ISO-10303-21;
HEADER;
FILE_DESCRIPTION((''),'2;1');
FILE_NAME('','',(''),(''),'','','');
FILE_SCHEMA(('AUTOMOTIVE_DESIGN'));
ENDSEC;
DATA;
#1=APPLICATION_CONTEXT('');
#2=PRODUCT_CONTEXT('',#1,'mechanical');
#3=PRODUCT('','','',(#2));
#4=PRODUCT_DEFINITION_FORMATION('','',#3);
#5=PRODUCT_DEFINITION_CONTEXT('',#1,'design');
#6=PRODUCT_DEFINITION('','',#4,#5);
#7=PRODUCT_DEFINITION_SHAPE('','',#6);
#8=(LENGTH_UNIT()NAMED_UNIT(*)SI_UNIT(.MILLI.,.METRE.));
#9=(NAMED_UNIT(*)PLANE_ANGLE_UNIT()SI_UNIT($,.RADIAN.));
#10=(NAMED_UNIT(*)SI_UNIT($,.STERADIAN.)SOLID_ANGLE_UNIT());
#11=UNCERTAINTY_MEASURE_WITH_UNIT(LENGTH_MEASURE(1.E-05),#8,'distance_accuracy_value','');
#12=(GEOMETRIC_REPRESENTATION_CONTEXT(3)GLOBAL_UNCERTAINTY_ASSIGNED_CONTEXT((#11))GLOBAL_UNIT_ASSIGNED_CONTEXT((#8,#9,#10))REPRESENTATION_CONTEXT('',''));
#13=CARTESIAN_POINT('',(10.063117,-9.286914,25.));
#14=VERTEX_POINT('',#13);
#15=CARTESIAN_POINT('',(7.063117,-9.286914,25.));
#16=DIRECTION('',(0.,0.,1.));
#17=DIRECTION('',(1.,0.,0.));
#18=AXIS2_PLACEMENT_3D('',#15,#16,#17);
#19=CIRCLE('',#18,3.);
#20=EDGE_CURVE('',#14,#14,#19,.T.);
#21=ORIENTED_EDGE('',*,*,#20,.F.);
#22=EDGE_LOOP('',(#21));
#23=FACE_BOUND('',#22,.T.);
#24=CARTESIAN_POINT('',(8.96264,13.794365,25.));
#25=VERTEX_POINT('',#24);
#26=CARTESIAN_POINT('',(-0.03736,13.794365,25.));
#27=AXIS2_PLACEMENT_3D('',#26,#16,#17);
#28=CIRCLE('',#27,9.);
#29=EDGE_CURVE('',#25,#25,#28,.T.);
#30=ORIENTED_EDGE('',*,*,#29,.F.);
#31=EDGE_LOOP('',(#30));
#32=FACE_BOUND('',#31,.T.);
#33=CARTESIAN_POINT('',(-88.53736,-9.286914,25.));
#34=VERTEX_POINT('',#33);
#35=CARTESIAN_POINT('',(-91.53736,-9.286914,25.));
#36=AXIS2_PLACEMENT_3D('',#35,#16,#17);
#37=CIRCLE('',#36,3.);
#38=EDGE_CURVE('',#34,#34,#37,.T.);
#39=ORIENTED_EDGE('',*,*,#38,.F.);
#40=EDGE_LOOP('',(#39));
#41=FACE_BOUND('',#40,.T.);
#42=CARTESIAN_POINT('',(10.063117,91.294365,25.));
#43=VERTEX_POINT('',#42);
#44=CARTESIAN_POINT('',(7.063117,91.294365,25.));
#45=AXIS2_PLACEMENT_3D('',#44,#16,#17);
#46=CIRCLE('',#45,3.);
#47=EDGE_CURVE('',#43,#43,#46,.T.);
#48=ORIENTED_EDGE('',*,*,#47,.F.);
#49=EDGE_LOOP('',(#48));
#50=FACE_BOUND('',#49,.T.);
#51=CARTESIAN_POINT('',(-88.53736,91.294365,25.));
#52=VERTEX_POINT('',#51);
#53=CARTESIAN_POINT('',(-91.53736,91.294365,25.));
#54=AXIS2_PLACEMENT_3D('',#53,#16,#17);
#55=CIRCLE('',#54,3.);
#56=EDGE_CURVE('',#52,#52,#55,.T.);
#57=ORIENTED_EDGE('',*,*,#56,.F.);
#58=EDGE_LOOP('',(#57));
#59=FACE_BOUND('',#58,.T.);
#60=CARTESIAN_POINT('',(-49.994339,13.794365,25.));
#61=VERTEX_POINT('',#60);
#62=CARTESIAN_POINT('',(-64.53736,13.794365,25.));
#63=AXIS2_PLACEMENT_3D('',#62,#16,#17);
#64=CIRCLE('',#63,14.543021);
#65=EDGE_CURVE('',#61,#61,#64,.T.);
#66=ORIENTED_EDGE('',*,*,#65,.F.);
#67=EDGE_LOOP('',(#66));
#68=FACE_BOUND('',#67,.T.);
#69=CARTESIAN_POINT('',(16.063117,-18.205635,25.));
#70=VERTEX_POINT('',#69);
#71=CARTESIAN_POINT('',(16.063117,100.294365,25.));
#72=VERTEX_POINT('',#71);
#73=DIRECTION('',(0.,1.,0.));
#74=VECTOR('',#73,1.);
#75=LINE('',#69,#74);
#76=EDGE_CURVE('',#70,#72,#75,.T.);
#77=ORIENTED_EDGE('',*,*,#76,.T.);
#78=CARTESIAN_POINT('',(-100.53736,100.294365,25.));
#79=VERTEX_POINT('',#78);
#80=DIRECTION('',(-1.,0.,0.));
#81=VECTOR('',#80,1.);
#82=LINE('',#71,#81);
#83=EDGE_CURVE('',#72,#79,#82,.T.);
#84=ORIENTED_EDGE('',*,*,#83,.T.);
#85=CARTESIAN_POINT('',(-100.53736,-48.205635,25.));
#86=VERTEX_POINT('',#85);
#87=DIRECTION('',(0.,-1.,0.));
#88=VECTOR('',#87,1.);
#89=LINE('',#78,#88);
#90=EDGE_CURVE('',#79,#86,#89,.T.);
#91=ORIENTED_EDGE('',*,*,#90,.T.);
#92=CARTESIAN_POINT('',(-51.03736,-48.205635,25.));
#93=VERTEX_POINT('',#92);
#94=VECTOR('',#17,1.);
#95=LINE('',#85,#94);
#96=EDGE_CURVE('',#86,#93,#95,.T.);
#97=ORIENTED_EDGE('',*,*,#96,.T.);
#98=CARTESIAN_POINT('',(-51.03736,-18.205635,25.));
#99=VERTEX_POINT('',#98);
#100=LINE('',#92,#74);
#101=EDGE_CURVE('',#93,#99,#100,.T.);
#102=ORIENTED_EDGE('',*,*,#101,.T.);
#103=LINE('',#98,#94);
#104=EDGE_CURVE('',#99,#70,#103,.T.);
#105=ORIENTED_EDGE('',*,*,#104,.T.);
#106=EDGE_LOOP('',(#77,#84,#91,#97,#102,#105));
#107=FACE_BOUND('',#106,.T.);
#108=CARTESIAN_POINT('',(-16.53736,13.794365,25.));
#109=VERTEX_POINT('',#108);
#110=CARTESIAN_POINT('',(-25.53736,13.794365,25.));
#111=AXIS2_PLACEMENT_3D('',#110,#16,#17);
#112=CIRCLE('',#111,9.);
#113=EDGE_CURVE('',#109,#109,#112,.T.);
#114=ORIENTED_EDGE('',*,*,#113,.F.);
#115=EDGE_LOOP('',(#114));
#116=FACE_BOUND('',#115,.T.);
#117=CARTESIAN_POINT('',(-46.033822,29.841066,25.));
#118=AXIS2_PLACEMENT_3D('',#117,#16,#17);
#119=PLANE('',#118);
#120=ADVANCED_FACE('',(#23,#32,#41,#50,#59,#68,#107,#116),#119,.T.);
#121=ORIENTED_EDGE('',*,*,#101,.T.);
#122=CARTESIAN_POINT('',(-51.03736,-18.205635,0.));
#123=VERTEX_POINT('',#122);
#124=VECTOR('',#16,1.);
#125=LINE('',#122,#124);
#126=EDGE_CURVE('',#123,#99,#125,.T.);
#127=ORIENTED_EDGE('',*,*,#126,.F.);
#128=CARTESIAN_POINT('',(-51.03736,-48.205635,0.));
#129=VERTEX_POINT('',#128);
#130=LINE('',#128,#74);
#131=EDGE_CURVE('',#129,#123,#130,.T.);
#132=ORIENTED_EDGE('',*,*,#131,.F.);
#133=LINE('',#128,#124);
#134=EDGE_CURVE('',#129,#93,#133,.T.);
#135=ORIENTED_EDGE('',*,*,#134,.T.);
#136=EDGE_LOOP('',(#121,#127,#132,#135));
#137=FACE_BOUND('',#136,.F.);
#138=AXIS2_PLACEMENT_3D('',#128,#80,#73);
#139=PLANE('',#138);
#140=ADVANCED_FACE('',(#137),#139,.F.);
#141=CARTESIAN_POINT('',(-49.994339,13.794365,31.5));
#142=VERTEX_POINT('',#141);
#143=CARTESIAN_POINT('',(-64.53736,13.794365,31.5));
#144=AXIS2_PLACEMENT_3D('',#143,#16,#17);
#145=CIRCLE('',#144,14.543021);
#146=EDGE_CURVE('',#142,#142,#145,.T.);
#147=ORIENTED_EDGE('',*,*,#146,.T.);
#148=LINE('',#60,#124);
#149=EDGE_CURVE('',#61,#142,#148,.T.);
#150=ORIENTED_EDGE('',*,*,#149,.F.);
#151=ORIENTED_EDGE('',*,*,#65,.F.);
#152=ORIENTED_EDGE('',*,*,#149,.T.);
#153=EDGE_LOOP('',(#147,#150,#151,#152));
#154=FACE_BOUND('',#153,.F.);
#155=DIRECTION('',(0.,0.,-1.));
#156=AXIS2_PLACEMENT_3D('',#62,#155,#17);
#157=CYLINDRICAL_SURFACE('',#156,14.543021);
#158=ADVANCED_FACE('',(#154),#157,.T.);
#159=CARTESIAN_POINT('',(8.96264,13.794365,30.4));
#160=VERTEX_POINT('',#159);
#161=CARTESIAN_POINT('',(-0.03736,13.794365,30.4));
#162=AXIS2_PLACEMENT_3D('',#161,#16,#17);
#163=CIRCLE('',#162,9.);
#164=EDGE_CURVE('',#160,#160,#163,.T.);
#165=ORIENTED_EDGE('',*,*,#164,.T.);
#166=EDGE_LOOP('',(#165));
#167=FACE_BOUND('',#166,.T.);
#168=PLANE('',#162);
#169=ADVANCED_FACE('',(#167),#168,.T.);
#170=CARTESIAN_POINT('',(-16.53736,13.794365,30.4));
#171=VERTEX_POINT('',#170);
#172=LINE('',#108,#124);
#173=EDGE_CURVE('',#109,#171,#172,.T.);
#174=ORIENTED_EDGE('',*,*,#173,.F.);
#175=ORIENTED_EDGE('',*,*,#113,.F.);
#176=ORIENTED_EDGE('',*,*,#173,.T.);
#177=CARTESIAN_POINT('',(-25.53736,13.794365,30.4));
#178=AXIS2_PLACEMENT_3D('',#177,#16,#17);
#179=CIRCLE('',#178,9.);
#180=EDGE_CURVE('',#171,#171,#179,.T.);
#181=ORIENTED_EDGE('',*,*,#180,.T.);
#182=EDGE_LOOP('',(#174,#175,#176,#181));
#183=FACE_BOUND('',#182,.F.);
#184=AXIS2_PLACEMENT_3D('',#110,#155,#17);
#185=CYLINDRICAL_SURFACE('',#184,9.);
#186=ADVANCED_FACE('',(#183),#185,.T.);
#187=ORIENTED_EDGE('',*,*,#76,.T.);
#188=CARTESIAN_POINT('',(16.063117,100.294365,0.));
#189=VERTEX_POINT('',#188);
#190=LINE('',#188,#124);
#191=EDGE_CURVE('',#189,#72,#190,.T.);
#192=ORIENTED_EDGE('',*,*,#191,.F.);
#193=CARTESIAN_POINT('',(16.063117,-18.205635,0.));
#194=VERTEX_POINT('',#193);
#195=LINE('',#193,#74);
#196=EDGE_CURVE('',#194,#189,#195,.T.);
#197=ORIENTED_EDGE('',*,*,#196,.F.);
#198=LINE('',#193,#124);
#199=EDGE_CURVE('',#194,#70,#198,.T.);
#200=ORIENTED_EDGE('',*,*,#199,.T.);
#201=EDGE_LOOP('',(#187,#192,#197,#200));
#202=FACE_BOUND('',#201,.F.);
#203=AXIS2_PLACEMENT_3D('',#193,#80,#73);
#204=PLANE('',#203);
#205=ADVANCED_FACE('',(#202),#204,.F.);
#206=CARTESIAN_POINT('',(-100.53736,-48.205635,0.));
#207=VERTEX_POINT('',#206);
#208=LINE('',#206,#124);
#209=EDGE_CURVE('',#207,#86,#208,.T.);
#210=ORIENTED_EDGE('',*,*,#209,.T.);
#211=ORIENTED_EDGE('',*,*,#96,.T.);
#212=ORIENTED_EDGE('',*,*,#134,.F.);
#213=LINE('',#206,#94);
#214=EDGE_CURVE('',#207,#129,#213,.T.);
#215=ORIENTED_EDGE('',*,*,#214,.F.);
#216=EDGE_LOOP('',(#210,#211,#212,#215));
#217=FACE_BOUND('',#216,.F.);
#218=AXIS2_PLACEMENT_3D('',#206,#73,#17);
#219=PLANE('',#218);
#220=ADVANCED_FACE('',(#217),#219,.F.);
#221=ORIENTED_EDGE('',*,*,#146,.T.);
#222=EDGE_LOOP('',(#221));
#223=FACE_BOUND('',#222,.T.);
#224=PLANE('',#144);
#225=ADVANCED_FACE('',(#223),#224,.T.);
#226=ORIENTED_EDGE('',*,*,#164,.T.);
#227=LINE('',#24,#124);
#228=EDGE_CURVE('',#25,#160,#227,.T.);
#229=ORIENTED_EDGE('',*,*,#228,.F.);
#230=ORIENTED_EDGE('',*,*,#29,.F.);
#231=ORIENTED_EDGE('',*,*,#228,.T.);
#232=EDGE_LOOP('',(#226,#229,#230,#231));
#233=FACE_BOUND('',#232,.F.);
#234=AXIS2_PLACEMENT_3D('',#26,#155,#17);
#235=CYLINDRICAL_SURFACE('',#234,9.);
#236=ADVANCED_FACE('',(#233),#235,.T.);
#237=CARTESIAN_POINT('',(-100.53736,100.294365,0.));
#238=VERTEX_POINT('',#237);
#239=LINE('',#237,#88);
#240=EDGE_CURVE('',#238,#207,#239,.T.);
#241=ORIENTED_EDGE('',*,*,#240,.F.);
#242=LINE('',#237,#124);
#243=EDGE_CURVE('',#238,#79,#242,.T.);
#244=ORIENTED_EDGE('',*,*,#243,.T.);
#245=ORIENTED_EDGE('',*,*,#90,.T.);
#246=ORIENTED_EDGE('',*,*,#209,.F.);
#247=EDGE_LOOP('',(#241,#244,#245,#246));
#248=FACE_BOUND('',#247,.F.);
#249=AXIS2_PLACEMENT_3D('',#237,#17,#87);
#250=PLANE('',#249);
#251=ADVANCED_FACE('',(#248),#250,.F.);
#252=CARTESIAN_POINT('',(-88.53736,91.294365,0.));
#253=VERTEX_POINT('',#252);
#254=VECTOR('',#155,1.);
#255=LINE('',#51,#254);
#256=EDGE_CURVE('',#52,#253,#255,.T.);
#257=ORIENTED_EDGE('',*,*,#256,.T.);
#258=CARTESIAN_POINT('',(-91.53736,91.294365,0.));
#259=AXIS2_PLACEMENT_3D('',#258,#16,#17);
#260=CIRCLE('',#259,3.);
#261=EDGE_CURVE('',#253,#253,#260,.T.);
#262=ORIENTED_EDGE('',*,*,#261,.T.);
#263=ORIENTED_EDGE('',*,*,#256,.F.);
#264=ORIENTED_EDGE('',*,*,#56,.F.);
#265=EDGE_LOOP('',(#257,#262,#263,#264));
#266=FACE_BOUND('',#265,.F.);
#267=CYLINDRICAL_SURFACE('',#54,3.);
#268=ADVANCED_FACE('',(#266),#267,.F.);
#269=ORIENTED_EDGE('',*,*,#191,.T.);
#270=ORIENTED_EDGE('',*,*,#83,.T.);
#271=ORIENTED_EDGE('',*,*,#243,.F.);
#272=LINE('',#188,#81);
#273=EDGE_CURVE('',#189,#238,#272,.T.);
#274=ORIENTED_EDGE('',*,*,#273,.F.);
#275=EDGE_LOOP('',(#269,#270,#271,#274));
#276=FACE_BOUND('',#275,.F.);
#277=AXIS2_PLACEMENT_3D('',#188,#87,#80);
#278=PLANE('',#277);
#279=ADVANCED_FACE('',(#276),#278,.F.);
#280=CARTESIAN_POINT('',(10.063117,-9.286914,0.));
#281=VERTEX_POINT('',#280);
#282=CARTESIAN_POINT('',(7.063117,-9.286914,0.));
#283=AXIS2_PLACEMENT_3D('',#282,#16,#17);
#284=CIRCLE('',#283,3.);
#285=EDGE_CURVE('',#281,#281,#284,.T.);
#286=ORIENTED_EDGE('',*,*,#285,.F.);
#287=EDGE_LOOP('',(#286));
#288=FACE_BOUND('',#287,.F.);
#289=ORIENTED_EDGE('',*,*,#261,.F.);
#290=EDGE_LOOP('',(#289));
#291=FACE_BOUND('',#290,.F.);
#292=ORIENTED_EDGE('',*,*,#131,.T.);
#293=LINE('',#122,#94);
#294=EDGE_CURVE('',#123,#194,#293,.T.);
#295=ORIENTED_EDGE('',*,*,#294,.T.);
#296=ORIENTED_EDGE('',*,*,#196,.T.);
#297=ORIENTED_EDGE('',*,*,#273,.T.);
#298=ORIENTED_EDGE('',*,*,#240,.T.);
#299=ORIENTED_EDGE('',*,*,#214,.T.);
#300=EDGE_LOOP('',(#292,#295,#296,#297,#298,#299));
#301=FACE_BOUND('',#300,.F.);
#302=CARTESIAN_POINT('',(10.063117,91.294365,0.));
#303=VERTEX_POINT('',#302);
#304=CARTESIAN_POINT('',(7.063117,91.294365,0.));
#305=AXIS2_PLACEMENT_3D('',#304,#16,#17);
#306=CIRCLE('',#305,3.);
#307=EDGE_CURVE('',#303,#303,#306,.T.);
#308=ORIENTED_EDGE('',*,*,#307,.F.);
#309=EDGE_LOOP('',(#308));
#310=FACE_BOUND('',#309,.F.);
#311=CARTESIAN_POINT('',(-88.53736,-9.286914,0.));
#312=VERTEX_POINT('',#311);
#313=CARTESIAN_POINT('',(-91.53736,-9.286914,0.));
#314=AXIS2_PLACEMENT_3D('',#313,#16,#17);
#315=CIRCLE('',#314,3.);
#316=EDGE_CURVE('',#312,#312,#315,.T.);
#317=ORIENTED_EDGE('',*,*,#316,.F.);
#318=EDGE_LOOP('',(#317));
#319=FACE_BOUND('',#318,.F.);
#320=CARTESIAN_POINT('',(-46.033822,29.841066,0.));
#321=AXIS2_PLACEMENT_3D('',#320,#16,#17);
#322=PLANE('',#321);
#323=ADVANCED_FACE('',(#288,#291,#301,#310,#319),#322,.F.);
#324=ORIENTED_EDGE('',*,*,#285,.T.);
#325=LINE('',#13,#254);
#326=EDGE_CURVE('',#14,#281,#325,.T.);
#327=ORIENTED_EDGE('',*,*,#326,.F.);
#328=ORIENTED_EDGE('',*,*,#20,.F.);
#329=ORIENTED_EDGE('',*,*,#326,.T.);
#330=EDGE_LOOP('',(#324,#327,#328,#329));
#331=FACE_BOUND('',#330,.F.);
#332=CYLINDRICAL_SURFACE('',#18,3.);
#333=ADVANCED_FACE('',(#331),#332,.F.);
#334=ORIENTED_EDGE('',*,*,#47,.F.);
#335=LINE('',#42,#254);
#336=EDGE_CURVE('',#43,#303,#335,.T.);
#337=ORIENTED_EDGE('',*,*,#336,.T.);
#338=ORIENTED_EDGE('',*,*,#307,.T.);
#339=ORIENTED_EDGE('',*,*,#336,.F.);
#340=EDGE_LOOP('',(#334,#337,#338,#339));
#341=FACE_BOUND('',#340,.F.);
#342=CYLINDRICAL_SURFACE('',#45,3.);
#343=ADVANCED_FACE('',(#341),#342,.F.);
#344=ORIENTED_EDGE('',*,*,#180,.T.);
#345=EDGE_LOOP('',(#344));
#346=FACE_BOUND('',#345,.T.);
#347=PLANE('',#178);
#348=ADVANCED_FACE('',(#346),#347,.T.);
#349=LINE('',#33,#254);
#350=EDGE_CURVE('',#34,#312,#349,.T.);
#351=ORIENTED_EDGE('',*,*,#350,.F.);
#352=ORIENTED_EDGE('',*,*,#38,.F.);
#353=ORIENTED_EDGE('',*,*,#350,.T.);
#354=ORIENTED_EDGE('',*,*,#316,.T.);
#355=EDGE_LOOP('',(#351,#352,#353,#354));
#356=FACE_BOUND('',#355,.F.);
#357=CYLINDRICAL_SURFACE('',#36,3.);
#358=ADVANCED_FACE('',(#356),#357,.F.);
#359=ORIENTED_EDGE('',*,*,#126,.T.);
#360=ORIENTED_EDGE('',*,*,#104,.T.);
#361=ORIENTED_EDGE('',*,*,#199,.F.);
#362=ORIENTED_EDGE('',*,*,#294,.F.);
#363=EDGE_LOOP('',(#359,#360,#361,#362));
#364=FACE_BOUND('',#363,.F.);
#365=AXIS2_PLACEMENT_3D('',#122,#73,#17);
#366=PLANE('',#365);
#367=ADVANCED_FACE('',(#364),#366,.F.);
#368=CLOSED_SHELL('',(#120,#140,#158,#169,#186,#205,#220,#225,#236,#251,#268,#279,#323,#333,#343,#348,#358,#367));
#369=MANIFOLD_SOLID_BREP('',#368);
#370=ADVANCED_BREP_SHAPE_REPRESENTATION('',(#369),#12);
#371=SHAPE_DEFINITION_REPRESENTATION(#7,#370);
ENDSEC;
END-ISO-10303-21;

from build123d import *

# Parameters (mm, degrees)
F1_DEPTH = 25
F2_R     = 3
F3_DEPTH = 1000
F4_R     = 14.543021
F5_DEPTH = 6.5
F6_R     = 9
F7_DEPTH = 5.4


with BuildPart() as f1:
    # F0 (on Top) → F1 (new body)
    with BuildSketch(Plane.XY):
        Polygon((16.063117, -18.205635), (16.063117, 100.294365), (-100.53736, 100.294365), (-100.53736, -48.205635), (-51.03736, -48.205635), (-51.03736, -18.205635), align=None)
    extrude(amount=F1_DEPTH)

    # F2 (on face) → F3 (cut)
    with BuildSketch(Plane.XY.offset(25)):
        with Locations((7.063117, 91.294365)):
            Circle(F2_R)
        with Locations((7.063117, -9.286914)):
            Circle(F2_R)
        with Locations((-91.53736, 91.294365)):
            Circle(F2_R)
        with Locations((-91.53736, -9.286914)):
            Circle(F2_R)
    extrude(amount=-F3_DEPTH, mode=Mode.SUBTRACT)

    # F4 (on face) → F5 (join)
    with BuildSketch(Plane.XY.offset(25)):
        with Locations((-64.53736, 13.794365)):
            Circle(F4_R)
    extrude(amount=F5_DEPTH)

    # F6 (on face) → F7 (join)
    with BuildSketch(Plane.XY.offset(25)):
        with Locations((-0.03736, 13.794365)):
            Circle(F6_R)
        with Locations((-25.53736, 13.794365)):
            Circle(F6_R)
    extrude(amount=F7_DEPTH)


solid = f1.part
